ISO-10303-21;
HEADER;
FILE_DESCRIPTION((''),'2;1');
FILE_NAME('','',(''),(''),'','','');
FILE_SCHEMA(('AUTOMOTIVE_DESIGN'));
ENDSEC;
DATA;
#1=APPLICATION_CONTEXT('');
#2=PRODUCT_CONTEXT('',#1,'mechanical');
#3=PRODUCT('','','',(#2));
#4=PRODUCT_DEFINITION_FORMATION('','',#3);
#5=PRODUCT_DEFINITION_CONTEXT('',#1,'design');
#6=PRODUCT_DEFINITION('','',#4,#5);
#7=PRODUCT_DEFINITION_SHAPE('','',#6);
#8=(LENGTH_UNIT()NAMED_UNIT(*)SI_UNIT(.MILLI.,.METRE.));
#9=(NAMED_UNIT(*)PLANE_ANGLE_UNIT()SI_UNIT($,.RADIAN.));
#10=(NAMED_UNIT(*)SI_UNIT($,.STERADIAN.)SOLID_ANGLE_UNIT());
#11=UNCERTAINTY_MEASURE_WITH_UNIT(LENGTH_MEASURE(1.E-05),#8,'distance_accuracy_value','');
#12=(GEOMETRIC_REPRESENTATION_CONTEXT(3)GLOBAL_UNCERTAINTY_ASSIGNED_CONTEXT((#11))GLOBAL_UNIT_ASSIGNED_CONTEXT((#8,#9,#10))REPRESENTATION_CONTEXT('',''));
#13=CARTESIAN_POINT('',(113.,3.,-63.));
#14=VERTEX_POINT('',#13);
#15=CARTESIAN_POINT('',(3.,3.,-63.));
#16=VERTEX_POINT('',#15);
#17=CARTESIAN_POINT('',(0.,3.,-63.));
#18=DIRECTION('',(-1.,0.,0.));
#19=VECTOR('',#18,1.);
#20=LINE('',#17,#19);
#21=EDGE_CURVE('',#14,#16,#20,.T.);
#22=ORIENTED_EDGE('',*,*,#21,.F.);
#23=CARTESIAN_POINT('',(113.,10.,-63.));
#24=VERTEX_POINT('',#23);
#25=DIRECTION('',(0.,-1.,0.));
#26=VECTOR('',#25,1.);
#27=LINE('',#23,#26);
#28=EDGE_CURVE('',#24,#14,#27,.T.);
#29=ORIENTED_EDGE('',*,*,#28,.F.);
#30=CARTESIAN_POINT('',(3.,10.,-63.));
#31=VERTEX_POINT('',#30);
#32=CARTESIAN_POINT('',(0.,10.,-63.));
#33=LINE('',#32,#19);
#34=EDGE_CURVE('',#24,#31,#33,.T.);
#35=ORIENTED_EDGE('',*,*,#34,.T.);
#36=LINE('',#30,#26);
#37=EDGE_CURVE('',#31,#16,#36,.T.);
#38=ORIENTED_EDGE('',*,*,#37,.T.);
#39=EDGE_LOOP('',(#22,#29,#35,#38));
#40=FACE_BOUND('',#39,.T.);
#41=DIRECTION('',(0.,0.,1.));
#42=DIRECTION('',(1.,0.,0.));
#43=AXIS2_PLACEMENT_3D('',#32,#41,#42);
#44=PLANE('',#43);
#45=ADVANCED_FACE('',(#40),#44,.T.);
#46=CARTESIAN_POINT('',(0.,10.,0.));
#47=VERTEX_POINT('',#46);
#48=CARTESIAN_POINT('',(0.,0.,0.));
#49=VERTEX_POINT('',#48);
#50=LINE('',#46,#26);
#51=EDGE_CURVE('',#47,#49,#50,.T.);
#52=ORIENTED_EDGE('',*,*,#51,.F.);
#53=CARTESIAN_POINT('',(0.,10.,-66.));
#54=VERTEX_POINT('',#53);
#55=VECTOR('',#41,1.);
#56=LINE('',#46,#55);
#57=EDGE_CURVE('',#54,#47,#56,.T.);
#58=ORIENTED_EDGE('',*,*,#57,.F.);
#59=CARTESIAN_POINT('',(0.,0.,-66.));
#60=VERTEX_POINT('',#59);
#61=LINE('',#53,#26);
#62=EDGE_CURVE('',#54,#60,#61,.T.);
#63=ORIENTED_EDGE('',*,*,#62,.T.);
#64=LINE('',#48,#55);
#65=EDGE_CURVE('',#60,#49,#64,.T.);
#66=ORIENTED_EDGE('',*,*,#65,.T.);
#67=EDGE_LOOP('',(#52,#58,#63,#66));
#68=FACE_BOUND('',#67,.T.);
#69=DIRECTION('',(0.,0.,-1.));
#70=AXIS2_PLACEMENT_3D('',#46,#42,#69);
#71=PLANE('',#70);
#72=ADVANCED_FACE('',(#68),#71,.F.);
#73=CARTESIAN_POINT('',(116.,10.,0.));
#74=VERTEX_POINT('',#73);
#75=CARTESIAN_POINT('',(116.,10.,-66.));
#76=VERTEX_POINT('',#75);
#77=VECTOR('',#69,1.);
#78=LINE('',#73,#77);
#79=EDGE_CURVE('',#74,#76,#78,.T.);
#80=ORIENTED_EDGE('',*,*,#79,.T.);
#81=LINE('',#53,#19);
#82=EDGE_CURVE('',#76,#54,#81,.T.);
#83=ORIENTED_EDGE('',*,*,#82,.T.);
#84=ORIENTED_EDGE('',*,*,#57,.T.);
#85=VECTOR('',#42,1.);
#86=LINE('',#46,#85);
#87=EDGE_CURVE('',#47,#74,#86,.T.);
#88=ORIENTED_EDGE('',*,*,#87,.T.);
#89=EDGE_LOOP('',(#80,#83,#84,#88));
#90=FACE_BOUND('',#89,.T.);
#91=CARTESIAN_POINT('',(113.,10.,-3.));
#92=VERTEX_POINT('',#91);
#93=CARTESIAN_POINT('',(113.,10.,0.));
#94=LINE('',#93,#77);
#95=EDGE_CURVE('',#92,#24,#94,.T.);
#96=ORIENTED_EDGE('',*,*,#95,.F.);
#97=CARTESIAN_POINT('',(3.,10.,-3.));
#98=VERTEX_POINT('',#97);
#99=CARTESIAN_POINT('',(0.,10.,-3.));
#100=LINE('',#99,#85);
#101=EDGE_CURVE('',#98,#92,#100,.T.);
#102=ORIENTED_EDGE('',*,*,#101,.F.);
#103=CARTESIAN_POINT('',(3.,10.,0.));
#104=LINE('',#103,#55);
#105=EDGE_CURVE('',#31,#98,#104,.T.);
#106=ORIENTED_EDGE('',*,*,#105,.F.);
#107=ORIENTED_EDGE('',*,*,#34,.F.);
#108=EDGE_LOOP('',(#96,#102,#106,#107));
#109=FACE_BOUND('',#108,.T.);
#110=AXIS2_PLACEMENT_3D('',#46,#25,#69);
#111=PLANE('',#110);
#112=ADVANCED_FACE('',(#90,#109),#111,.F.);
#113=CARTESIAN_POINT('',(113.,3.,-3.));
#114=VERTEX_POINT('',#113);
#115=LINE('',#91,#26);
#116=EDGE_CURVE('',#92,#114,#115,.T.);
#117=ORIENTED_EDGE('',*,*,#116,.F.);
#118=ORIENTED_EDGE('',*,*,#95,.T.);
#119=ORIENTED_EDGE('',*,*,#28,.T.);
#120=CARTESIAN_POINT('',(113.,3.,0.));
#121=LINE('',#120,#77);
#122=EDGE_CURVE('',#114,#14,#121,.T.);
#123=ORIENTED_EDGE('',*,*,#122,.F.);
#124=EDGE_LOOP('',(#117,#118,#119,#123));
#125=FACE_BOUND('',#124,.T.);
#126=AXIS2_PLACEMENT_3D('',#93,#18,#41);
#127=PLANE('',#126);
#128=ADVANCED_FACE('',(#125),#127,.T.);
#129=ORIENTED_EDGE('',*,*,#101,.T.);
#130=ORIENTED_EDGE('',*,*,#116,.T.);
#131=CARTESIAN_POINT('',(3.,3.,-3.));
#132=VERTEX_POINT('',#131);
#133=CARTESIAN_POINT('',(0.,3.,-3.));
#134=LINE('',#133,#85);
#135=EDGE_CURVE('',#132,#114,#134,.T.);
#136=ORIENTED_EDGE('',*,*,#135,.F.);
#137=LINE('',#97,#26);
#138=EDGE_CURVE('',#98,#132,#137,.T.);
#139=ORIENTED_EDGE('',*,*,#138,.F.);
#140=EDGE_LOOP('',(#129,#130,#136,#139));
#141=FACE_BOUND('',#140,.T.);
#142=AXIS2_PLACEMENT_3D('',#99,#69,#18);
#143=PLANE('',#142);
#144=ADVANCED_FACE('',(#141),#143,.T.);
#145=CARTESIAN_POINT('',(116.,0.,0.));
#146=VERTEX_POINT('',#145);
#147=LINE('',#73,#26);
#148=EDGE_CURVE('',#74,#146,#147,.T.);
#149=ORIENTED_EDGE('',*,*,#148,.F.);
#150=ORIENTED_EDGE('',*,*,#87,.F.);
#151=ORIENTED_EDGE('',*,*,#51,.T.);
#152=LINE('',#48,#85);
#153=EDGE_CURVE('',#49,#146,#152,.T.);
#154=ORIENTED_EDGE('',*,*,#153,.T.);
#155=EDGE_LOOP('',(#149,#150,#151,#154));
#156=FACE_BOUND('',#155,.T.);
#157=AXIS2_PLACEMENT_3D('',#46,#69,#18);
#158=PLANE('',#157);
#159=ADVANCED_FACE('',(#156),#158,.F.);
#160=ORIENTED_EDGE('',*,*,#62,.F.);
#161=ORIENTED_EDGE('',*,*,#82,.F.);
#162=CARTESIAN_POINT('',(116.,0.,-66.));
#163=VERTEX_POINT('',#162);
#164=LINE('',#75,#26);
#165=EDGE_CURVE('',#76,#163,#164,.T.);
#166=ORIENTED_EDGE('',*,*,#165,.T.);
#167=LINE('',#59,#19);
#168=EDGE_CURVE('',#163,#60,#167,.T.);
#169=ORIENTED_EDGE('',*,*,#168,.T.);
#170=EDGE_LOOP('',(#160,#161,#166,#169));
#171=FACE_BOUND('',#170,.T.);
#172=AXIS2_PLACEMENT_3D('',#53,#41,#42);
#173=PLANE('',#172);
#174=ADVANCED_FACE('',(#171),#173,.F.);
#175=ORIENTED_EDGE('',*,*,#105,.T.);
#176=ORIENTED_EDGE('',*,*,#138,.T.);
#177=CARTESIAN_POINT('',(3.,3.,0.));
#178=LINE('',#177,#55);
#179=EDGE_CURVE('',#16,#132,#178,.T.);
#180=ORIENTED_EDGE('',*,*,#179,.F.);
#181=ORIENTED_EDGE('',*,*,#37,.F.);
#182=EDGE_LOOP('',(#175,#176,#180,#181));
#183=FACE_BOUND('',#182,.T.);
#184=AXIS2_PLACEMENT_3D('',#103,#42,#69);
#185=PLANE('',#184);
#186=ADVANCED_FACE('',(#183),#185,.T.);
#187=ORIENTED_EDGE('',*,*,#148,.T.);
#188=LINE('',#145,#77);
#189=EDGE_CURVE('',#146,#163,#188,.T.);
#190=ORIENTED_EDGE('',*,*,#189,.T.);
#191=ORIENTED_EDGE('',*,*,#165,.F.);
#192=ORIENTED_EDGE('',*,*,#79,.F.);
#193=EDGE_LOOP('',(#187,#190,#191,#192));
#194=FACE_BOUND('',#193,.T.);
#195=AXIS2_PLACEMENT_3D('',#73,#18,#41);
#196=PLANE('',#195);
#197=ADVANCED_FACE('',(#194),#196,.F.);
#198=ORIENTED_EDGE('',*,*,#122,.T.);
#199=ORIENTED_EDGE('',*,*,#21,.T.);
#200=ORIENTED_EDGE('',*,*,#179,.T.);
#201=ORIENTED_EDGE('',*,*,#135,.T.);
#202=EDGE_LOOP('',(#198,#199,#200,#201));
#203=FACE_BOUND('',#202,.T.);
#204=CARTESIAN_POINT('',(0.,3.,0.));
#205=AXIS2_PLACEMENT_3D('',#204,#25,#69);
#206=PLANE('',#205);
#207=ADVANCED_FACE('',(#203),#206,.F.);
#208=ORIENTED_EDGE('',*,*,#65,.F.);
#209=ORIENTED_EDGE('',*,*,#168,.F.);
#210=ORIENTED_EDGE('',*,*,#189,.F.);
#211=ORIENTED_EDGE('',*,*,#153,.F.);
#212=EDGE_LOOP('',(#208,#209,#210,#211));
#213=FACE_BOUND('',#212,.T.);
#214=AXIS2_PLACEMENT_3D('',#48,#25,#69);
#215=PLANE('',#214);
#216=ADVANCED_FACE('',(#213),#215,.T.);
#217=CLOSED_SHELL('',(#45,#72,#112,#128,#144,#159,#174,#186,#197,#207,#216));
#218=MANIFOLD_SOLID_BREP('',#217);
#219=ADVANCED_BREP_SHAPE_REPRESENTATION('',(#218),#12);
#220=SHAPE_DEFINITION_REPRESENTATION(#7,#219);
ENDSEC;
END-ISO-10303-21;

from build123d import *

# Parameters (mm, degrees)
SKETCH1_W           = 116
SKETCH1_H           = 66
BOSS_EXTRUDE1_DEPTH = 10
SHELL1_T            = -3


with BuildPart() as part:
    # Sketch1 → Boss-Extrude1 (new body)
    with BuildSketch(Plane(origin=(0, 0, 0), x_dir=(1, 0, 0), z_dir=(0, 1, 0))):
        with Locations((58, 33)):
            Rectangle(SKETCH1_W, SKETCH1_H)
    extrude(amount=BOSS_EXTRUDE1_DEPTH)

    # Shell1
    shell1_openings = [part.faces().sort_by_distance(p)[0] for p in [
        (58, 10, -33),
    ]]
    offset(amount=SHELL1_T, openings=shell1_openings, kind=Kind.INTERSECTION)


solid = part.part
